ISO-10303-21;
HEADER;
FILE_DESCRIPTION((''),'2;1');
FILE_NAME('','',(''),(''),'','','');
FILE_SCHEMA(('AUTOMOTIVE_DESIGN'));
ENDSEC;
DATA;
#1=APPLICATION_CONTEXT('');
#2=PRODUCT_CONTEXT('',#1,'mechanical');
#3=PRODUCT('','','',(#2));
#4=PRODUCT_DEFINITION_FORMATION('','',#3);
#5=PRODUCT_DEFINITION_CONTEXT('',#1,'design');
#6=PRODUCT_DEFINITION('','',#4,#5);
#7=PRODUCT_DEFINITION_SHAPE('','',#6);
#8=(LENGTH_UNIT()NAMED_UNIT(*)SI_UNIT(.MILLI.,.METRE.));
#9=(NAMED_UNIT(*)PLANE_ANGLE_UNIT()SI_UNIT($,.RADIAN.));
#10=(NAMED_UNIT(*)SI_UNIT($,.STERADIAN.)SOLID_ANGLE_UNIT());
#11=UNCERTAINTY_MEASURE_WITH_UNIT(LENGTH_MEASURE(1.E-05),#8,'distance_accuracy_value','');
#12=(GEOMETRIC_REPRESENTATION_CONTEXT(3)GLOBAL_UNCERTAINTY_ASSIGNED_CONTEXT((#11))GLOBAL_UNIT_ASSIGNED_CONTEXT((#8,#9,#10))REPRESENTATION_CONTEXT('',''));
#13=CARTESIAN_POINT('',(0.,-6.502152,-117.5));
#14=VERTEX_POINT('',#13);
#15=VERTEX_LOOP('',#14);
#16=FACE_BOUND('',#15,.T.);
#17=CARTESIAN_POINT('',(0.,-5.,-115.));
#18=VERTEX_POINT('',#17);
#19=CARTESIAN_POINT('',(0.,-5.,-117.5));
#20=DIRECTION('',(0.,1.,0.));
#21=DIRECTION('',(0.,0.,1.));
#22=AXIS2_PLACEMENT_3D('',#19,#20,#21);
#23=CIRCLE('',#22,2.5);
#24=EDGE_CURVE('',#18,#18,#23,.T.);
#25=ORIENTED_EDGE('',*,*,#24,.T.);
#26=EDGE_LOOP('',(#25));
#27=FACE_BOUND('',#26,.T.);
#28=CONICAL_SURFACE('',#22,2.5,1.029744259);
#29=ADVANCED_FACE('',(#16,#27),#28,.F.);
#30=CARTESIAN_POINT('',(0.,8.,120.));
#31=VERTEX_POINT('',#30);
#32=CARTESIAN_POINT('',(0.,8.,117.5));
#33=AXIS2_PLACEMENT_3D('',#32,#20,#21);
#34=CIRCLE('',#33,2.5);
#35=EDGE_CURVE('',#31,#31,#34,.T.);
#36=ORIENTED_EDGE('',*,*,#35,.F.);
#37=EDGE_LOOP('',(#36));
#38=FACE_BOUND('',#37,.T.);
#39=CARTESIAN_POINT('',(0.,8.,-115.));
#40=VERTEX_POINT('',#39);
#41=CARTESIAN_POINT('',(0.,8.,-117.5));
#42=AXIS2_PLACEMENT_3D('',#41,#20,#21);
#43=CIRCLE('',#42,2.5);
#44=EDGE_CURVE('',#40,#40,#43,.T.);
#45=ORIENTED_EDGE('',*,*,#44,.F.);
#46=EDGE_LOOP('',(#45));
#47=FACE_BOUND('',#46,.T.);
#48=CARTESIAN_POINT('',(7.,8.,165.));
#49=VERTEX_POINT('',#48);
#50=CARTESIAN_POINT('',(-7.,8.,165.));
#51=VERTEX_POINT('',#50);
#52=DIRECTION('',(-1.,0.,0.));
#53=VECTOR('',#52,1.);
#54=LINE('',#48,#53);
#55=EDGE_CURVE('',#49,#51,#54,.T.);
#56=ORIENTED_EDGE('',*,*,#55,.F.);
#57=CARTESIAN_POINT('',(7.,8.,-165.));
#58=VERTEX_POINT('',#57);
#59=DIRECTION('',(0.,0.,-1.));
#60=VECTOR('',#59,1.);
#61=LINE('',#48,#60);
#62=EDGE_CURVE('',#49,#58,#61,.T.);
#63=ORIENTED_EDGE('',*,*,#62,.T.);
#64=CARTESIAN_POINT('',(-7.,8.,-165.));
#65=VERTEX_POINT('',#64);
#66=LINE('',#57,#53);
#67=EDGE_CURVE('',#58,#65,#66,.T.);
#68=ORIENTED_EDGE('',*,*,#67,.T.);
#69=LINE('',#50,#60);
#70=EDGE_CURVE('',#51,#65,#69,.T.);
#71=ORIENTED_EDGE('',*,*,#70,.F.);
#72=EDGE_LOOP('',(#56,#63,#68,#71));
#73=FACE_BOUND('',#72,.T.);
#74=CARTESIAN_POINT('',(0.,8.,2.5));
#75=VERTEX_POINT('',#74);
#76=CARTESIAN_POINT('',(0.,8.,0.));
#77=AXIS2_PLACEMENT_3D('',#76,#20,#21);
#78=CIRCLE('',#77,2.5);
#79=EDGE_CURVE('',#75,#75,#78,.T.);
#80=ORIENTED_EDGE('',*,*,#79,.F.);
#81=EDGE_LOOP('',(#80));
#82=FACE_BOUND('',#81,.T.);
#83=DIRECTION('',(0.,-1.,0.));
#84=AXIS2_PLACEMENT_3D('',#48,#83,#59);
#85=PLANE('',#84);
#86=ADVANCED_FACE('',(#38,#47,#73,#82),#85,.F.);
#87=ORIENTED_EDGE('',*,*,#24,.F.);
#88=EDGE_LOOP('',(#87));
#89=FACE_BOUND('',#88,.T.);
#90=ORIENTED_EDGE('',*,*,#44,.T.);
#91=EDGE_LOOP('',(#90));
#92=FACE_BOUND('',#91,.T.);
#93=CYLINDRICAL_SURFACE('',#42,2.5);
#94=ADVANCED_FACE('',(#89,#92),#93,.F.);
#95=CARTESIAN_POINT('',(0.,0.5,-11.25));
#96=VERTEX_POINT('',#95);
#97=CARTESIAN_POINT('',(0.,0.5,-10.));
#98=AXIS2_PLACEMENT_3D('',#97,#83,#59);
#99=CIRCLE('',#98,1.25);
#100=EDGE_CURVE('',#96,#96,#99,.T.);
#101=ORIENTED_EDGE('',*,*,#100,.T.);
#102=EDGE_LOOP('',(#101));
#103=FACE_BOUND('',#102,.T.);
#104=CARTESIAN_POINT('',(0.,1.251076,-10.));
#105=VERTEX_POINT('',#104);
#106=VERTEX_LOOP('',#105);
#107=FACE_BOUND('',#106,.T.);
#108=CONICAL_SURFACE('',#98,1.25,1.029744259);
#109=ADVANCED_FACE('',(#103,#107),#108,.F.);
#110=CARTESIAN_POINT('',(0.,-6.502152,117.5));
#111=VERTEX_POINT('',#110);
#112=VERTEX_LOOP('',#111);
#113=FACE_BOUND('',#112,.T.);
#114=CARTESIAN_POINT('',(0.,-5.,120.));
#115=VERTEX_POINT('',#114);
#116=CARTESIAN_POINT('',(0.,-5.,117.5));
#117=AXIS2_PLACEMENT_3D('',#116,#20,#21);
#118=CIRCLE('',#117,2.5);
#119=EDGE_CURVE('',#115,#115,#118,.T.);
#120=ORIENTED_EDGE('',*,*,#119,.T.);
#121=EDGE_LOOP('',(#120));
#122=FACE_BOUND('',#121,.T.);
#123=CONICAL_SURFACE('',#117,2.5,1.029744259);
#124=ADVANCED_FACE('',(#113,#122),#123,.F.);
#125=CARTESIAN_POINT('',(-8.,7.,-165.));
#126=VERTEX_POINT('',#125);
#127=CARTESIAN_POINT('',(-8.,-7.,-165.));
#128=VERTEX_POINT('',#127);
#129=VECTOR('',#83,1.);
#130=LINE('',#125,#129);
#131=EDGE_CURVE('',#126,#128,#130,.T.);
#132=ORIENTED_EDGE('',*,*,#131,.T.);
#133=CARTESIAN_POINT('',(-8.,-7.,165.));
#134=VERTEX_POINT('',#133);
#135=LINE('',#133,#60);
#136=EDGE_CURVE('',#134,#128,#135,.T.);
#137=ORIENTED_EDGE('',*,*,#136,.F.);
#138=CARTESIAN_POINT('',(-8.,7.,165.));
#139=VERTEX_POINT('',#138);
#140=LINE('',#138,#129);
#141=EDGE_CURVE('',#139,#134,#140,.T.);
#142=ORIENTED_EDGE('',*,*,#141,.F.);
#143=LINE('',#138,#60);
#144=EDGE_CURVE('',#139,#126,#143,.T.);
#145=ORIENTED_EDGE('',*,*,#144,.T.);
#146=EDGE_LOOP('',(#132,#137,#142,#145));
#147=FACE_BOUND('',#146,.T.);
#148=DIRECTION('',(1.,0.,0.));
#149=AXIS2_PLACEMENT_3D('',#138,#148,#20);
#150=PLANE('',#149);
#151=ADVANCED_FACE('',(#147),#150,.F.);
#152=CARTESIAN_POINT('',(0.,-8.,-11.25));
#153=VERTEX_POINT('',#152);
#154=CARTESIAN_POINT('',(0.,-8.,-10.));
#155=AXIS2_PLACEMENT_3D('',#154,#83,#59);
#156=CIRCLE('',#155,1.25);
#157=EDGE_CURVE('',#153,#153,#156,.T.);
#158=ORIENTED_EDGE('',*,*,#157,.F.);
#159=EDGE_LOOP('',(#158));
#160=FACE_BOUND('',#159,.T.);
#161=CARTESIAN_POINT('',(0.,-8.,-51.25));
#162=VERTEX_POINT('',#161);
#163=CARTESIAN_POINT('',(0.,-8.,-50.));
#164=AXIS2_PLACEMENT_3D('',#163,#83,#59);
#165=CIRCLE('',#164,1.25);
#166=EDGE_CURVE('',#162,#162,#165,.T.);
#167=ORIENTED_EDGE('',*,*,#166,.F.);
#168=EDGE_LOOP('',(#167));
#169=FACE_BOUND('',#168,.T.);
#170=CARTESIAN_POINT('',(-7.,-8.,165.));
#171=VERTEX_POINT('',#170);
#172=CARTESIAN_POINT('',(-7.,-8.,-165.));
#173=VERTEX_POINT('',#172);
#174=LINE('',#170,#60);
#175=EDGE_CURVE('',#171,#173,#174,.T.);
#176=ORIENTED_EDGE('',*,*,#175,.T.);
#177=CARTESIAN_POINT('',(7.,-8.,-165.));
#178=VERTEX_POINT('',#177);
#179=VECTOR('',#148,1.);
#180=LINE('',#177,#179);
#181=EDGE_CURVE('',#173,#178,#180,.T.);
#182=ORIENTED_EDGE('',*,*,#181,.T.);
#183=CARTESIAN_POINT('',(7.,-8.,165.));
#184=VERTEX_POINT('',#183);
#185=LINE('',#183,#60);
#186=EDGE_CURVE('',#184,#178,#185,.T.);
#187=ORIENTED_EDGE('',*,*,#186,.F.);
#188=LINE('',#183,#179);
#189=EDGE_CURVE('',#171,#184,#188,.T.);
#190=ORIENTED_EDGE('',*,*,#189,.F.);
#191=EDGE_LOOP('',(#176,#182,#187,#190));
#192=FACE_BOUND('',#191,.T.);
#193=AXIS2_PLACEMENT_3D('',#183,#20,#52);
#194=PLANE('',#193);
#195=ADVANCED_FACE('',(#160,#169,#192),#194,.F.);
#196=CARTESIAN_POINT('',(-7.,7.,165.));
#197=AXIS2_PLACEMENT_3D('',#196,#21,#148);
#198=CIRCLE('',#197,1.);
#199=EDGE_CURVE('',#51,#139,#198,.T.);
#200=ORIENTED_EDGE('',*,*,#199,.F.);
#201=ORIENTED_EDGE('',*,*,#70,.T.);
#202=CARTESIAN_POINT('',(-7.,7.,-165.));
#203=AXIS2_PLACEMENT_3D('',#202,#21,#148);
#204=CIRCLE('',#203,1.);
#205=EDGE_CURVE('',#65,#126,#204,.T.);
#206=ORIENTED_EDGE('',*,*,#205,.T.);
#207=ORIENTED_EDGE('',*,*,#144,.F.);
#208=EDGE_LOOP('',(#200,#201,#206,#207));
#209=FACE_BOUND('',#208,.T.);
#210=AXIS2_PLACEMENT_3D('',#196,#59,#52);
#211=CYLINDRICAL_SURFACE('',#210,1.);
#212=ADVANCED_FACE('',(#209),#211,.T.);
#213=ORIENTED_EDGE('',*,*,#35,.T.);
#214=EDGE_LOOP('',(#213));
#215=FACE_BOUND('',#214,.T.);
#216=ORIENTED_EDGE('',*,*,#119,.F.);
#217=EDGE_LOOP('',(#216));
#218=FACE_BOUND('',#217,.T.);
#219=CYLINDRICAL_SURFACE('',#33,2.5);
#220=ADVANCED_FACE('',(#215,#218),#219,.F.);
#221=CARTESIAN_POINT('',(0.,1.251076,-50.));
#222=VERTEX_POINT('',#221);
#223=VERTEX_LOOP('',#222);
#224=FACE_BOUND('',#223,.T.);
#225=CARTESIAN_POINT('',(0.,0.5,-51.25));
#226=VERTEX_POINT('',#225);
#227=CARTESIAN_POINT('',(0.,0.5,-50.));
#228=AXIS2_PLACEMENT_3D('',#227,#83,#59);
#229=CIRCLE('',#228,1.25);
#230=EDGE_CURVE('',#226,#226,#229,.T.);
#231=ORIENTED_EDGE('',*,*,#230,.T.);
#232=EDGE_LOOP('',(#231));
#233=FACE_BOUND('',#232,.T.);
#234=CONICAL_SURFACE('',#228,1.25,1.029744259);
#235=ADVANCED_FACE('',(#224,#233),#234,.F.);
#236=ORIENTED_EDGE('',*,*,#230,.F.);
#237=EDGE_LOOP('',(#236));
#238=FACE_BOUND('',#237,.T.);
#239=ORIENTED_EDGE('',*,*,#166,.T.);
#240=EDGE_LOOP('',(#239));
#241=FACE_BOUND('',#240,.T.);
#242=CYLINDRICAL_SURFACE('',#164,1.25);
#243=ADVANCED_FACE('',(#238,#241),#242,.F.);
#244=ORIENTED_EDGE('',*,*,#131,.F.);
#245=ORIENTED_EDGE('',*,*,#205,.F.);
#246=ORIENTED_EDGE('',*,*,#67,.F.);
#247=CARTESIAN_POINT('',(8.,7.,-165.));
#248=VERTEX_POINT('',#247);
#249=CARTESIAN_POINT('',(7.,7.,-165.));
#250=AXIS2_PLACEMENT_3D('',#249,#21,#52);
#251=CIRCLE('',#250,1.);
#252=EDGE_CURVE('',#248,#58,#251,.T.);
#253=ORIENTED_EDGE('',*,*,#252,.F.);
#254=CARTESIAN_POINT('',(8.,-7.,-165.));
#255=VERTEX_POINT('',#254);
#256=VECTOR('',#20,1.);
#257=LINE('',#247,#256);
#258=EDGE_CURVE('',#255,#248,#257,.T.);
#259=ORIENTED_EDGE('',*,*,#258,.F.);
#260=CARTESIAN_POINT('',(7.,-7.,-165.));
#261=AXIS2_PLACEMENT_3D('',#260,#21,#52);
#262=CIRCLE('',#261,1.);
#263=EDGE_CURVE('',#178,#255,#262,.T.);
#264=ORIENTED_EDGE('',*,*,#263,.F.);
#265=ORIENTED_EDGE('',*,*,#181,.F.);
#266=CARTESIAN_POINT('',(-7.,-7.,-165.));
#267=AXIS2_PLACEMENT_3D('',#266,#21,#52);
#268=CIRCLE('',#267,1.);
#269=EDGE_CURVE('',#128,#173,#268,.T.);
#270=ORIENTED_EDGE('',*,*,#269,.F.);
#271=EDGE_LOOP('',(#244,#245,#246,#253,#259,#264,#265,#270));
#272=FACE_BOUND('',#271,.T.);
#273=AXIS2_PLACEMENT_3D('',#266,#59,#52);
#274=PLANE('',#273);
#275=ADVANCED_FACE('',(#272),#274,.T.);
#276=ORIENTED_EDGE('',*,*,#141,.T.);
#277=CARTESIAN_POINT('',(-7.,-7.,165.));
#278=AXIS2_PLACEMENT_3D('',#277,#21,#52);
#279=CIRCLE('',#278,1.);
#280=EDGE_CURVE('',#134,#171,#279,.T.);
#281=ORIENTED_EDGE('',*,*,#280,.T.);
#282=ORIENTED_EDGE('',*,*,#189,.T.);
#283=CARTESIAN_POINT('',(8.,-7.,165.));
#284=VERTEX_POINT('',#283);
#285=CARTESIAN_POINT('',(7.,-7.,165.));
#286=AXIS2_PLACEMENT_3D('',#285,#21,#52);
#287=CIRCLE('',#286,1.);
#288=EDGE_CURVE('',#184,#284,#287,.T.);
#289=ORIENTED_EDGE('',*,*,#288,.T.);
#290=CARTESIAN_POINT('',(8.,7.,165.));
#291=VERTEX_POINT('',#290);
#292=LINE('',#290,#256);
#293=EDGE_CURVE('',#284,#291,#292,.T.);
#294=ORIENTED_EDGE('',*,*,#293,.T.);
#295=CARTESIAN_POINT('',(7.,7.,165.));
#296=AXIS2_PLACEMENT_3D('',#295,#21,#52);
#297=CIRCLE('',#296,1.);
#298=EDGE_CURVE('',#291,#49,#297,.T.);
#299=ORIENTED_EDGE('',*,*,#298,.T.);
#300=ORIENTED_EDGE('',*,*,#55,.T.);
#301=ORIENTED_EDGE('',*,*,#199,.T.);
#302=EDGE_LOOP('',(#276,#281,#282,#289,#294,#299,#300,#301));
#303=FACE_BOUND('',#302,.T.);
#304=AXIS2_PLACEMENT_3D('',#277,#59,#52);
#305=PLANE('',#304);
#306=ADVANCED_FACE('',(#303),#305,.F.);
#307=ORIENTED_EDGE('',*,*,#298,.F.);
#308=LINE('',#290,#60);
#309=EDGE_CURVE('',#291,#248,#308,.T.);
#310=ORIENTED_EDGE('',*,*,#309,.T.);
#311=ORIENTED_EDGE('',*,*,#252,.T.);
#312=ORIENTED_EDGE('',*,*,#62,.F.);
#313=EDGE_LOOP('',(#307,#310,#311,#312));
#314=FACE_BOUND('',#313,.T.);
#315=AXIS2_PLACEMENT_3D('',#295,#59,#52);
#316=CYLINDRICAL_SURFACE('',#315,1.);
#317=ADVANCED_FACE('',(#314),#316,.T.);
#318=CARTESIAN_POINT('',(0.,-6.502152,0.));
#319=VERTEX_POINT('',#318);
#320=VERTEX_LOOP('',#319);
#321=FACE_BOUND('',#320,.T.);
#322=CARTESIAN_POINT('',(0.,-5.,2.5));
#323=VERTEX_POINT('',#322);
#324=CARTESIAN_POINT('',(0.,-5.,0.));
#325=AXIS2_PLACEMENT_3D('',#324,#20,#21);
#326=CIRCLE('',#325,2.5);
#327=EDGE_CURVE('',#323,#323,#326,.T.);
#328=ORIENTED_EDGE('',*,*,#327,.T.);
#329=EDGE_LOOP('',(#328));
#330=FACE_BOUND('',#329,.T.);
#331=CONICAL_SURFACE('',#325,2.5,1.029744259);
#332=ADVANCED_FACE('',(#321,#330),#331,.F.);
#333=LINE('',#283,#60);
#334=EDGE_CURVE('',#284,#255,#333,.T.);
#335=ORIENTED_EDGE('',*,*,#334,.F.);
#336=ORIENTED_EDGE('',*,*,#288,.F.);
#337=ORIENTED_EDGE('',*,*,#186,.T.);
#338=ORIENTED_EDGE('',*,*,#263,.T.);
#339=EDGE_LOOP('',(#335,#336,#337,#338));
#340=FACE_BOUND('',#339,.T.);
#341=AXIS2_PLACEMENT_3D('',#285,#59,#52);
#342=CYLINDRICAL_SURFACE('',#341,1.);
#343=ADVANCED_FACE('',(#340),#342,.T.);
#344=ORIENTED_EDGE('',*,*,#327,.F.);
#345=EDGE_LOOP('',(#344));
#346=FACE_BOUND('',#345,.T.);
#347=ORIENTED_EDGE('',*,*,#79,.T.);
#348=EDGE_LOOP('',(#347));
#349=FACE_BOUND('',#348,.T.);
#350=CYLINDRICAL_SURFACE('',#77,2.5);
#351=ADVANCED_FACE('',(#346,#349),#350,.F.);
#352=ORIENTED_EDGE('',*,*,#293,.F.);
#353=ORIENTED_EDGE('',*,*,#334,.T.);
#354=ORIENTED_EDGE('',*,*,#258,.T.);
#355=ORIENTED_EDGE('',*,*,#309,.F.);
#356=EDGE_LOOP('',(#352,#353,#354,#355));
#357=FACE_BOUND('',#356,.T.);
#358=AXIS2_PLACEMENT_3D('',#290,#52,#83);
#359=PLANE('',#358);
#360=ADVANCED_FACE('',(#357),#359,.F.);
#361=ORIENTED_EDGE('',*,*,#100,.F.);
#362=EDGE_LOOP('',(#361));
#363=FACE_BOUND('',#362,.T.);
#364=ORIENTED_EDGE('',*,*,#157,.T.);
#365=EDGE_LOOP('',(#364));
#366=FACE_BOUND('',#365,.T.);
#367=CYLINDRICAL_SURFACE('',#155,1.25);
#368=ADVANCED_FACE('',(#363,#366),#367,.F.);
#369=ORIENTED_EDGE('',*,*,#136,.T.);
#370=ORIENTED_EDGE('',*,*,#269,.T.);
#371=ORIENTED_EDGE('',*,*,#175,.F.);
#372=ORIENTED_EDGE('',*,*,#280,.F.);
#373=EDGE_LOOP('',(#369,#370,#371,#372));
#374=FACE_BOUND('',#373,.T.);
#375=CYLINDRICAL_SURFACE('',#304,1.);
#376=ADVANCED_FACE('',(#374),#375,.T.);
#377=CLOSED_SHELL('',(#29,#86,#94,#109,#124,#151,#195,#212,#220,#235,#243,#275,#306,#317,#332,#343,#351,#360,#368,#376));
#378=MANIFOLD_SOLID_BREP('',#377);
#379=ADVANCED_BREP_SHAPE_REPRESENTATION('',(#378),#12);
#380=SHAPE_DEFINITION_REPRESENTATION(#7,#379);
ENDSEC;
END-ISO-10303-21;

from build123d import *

# Parameters (mm, degrees)
BOSS_EXTRU_1_DEPTH    = 165
TROU_TARAUD_M61_D     = 5
TROU_TARAUD_M61_DEPTH = 13
TROU_TARAUD_M61_TIP   = 1.502151548
TROU_TARAUD_M31_D     = 2.5
TROU_TARAUD_M31_DEPTH = 8.5
TROU_TARAUD_M31_TIP   = 0.751075774


with BuildPart() as part:
    # Esquisse1 → Boss.-Extru.1 (new body, symmetric)
    with BuildSketch(Plane.XY):
        with BuildLine():
            Line((7, 8), (-7, 8))
            ThreePointArc((-7, 8), (-7.707106781, 7.707106781), (-8, 7))
            Line((-8, 7), (-8, -7))
            ThreePointArc((-8, -7), (-7.707106781, -7.707106781), (-7, -8))
            Line((-7, -8), (7, -8))
            ThreePointArc((7, -8), (7.707106781, -7.707106781), (8, -7))
            Line((8, -7), (8, 7))
            ThreePointArc((8, 7), (7.707106781, 7.707106781), (7, 8))
        make_face()
    extrude(amount=BOSS_EXTRU_1_DEPTH, both=True)

    # Trou taraudé M61
    with Locations(Plane(origin=(0, 8, 0), x_dir=(1, 0, 0), z_dir=(0, 1, 0))):
        with Locations((0, 0), (0, 117.5), (0, -117.5)):
            Hole(TROU_TARAUD_M61_D / 2, depth=TROU_TARAUD_M61_DEPTH)
            with Locations((0, 0, -(TROU_TARAUD_M61_DEPTH + TROU_TARAUD_M61_TIP / 2))):  # 118° drill point
                Cone(0, TROU_TARAUD_M61_D / 2, TROU_TARAUD_M61_TIP, mode=Mode.SUBTRACT)

    # Trou taraudé M31
    with Locations(Plane(origin=(0, -8, 0), x_dir=(-1, 0, 0), z_dir=(0, -1, 0))):
        with Locations((0, 10), (0, 50)):
            Hole(TROU_TARAUD_M31_D / 2, depth=TROU_TARAUD_M31_DEPTH)
            with Locations((0, 0, -(TROU_TARAUD_M31_DEPTH + TROU_TARAUD_M31_TIP / 2))):  # 118° drill point
                Cone(0, TROU_TARAUD_M31_D / 2, TROU_TARAUD_M31_TIP, mode=Mode.SUBTRACT)


solid = part.part
